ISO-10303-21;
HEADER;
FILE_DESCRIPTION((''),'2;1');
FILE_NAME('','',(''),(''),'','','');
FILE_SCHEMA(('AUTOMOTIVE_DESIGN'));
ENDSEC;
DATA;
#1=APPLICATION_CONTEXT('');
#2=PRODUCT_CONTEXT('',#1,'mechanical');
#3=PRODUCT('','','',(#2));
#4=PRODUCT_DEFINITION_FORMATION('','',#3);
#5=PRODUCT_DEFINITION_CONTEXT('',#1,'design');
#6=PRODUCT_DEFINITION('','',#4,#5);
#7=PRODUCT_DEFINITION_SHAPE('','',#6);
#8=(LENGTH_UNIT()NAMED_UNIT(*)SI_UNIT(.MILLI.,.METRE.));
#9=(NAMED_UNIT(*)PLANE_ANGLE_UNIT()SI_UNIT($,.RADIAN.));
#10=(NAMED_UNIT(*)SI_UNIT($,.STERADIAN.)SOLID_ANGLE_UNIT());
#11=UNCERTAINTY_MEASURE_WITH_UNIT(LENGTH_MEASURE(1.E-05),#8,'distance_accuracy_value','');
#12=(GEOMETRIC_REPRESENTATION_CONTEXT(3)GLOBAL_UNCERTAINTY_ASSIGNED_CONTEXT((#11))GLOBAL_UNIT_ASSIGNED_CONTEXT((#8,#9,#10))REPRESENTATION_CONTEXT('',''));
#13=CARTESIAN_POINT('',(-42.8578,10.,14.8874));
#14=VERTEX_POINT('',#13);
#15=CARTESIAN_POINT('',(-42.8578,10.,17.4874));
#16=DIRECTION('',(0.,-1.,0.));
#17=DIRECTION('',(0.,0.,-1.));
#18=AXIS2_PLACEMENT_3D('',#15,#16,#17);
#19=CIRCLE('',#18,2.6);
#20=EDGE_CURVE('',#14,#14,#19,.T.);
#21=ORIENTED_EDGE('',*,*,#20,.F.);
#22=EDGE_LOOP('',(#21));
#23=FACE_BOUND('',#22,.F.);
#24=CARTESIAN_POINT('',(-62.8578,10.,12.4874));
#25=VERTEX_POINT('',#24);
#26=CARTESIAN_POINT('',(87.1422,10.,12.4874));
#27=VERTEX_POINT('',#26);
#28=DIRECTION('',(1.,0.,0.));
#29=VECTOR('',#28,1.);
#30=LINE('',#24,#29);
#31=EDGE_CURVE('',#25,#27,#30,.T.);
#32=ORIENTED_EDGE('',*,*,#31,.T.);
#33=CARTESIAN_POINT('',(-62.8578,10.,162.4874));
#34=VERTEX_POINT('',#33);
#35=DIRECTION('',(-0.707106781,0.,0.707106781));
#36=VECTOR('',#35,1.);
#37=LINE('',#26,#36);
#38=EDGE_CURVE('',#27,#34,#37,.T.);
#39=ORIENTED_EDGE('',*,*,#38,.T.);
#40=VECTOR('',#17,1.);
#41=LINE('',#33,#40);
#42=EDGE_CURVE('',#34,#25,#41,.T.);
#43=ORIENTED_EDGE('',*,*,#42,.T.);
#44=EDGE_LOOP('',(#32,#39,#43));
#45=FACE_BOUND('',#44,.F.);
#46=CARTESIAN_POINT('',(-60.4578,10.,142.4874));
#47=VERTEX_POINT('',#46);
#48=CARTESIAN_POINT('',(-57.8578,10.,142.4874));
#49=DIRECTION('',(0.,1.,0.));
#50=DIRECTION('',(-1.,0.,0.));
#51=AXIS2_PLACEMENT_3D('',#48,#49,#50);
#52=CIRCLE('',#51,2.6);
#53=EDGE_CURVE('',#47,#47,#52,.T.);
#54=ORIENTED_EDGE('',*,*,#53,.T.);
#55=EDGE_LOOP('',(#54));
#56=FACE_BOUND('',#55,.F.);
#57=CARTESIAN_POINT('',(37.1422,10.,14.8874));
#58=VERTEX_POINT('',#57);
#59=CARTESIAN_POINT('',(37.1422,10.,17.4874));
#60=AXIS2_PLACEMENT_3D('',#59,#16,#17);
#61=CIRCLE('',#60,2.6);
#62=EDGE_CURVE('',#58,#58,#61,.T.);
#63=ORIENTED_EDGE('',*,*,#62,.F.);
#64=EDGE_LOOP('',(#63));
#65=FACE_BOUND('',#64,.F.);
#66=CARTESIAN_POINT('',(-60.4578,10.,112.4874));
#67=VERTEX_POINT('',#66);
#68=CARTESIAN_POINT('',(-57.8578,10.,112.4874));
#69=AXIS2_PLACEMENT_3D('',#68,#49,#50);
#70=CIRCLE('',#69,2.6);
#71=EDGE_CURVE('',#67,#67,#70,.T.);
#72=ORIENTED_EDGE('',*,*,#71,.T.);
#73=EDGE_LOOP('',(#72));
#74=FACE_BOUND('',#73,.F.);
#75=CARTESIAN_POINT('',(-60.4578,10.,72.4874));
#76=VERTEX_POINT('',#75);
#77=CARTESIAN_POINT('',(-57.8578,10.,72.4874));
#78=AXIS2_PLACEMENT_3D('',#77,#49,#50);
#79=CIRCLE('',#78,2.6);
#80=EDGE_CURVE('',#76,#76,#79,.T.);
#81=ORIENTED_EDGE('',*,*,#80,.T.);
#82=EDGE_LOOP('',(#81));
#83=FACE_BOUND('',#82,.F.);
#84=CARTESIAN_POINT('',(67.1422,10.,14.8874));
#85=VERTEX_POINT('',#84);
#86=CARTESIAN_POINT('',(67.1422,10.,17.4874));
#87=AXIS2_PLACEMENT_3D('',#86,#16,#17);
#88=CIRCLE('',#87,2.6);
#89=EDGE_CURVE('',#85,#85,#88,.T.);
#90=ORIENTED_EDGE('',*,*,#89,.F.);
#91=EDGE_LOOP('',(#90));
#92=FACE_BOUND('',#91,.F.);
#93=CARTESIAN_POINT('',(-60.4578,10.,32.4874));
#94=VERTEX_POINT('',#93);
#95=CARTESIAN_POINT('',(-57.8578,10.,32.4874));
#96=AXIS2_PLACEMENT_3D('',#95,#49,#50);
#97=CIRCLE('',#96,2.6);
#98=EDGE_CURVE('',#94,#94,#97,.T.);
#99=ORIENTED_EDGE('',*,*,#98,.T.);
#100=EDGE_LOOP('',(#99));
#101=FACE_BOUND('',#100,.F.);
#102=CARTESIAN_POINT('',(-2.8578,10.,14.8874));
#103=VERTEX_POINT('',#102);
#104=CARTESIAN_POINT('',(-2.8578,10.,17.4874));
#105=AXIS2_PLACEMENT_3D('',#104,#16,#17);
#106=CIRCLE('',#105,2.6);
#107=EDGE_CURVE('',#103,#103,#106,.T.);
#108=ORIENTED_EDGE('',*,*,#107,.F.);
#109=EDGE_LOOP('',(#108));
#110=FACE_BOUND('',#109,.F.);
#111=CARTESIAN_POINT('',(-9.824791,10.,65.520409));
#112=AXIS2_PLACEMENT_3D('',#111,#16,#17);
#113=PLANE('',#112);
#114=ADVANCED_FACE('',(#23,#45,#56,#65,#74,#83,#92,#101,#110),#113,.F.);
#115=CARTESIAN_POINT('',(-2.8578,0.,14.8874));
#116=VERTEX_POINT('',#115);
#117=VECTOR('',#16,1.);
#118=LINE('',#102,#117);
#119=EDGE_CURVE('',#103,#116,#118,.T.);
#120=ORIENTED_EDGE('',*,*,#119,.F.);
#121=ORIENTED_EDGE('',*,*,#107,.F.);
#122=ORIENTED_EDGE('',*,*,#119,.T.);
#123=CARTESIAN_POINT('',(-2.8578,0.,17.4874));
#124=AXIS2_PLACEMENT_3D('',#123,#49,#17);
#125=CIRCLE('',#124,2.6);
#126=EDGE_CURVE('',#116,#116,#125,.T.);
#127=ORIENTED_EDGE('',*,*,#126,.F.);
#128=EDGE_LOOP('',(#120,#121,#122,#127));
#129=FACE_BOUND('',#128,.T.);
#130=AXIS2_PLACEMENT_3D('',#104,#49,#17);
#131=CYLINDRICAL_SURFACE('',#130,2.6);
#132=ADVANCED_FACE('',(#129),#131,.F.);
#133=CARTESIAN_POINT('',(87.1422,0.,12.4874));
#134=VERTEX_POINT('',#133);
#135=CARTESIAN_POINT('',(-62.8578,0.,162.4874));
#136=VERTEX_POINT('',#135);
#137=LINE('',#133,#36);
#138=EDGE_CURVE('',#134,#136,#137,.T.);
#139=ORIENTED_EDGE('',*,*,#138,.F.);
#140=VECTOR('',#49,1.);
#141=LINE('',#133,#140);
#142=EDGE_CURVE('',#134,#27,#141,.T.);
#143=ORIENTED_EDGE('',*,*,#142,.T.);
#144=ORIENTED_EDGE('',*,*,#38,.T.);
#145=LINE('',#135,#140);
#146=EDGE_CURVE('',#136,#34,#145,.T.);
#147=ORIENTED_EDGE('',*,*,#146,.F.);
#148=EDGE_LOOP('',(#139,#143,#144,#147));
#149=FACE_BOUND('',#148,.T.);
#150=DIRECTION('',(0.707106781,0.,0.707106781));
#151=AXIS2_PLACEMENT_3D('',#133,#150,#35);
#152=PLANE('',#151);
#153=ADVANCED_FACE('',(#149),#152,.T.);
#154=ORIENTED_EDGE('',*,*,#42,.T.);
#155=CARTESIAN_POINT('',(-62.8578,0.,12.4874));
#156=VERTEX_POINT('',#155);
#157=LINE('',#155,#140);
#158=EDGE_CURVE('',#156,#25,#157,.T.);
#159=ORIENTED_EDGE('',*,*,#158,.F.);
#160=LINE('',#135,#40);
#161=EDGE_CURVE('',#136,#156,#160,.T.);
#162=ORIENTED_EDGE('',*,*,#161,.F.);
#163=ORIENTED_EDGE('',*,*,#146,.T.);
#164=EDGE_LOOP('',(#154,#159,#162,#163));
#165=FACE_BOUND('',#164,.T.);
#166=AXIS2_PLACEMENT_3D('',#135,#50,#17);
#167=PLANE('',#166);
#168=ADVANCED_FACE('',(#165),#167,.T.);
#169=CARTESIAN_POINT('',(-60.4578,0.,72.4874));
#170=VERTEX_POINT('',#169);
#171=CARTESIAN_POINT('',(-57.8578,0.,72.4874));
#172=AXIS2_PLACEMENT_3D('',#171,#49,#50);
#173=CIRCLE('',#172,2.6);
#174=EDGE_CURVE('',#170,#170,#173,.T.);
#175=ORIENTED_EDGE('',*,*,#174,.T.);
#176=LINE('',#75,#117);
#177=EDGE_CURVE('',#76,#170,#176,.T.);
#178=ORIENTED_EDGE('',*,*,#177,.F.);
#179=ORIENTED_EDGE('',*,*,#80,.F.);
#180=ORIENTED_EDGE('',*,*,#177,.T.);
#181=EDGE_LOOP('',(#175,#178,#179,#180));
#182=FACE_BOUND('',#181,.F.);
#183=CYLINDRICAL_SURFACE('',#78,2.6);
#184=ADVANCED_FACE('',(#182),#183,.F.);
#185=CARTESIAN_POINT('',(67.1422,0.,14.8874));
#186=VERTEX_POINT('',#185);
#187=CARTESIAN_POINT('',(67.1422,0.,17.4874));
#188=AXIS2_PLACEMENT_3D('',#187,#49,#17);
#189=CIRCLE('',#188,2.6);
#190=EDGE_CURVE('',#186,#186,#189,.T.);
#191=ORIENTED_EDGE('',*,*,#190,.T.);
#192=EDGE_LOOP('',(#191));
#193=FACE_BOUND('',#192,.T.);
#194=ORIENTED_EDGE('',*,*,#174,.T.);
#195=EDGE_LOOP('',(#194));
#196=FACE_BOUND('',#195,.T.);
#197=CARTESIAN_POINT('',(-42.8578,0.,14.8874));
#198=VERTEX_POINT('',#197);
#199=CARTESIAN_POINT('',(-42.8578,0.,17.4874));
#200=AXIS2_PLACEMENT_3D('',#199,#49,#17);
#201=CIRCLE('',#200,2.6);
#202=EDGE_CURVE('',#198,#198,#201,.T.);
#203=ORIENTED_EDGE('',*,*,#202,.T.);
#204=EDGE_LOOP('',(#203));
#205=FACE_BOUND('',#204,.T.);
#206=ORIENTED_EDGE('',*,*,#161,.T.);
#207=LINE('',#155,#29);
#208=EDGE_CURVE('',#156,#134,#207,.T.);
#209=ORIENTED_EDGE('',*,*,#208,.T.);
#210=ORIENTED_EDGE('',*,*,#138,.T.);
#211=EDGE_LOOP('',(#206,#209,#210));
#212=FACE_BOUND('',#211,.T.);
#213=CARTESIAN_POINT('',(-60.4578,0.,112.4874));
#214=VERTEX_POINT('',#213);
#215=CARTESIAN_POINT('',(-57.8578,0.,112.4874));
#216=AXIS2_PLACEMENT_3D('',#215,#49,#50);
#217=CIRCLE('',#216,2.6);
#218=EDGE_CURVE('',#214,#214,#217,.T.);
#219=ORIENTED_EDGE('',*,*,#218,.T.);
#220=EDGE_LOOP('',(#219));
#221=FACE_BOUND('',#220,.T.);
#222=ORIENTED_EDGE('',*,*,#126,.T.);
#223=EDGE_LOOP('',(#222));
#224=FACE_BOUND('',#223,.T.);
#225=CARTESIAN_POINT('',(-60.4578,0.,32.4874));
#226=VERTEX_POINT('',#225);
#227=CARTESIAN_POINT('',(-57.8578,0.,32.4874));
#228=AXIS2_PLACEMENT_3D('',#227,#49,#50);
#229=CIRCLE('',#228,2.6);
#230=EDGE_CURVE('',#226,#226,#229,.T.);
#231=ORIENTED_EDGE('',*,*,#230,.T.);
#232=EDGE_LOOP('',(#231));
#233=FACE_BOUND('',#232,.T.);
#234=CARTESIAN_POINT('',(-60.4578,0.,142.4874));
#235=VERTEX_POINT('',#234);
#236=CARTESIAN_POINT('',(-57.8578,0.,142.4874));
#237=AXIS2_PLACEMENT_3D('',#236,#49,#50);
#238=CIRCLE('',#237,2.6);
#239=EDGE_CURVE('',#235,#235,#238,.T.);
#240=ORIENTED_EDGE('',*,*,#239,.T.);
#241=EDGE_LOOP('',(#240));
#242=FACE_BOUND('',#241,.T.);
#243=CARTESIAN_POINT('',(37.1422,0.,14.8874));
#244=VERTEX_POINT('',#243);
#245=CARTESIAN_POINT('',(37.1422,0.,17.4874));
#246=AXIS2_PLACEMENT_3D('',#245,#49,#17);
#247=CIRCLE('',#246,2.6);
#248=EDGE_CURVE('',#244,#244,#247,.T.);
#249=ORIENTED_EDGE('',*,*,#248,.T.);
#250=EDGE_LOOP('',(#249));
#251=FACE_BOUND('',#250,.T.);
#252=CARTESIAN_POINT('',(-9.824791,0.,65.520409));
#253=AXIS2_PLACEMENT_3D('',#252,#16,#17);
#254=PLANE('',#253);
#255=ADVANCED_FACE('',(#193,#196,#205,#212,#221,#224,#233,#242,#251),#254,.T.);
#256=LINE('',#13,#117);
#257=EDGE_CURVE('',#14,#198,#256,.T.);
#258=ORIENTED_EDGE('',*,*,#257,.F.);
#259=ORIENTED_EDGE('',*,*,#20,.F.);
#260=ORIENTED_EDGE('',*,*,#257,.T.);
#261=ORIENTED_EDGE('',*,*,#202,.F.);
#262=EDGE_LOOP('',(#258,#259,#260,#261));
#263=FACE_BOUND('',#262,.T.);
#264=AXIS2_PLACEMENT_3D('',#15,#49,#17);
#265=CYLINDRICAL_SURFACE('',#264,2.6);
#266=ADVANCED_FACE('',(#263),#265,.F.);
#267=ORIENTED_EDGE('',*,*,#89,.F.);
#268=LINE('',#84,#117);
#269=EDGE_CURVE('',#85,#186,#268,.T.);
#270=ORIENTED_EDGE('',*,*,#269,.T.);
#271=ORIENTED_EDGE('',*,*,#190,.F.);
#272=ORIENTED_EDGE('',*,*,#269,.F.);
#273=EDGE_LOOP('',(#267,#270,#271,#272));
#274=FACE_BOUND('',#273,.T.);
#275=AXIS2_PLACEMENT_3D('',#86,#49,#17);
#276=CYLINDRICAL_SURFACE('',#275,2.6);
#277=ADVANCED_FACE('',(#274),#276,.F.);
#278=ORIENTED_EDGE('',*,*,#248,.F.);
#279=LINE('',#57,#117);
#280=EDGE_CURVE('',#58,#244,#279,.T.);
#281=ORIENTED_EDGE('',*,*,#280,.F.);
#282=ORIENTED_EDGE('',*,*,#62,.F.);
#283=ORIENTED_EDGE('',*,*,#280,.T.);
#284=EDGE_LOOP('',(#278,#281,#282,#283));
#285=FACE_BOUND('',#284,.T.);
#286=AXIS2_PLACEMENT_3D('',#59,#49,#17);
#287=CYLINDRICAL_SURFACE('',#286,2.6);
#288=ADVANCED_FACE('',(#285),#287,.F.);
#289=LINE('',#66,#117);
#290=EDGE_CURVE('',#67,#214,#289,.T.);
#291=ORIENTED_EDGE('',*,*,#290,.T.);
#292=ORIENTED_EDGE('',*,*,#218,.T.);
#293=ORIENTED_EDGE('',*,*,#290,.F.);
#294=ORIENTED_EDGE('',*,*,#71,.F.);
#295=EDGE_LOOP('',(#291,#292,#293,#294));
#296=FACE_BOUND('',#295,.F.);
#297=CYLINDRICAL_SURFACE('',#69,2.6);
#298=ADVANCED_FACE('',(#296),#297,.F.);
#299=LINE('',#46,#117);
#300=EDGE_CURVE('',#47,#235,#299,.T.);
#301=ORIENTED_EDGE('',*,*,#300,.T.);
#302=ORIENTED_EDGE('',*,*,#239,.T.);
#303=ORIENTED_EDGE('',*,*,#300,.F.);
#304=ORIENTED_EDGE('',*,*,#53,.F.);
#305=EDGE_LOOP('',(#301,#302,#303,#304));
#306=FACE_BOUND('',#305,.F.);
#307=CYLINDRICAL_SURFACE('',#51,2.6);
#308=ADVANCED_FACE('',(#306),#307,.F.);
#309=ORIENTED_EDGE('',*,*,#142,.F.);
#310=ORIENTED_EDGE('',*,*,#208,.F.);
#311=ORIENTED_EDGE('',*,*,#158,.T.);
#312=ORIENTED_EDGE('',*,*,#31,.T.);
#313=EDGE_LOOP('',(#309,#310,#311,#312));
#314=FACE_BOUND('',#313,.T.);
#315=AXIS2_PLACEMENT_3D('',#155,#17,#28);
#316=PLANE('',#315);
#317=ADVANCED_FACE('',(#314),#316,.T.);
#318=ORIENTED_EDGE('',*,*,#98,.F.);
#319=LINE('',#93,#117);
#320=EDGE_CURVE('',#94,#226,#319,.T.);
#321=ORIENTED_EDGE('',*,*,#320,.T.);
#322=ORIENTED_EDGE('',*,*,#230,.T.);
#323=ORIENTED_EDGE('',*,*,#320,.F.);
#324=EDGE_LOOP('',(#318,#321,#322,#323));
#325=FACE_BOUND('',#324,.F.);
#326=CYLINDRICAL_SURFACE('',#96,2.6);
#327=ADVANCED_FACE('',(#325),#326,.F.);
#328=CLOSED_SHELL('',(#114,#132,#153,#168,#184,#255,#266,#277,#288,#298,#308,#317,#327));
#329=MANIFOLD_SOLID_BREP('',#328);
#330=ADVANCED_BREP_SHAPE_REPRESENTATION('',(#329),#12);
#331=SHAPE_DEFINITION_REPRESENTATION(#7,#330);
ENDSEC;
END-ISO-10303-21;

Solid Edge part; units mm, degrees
sketch "Sketch1" plane through (0, 0, 0) normal (0, -1, 0) x (1, 0, 0)
  line L0 (-62.8578, 12.4874) -> (87.1422, 12.4874)
  line L1 (87.1422, 12.4874) -> (-62.8578, 162.4874)
  line L2 (-62.8578, 162.4874) -> (-62.8578, 12.4874)
  dimension "D1" = 150
  dimension "D2" = 150
extrude "Protrusion1" add sketch "Sketch1" against normal blind 10
sketch "Sketch2" plane through (12.1422, 10, 87.4874) normal (0, 1, 0) x (-1, 0, 0)
  circle A0 centre (70, 25) radius 2.6
  circle A1 centre (70, -15) radius 2.6
  circle A2 centre (70, -55) radius 2.6
  circle A3 centre (70, 55) radius 2.6
  dimension "D1" = 30
  dimension "D2" = 5.2
  dimension "D3" = 5.2
  dimension "D4" = 5.2
  dimension "D5" = 5.2
  dimension "D6" = 40
  dimension "D7" = 40
  dimension "D8" = 20
  dimension "D9" = 5
extrude "Cutout1" cut sketch "Sketch2" against normal through all
mirror "Mirror1" about plane through (-9.8248, 5, 65.5204) normal (-0.7071, 0, 0.7071) of "Cutout1"
